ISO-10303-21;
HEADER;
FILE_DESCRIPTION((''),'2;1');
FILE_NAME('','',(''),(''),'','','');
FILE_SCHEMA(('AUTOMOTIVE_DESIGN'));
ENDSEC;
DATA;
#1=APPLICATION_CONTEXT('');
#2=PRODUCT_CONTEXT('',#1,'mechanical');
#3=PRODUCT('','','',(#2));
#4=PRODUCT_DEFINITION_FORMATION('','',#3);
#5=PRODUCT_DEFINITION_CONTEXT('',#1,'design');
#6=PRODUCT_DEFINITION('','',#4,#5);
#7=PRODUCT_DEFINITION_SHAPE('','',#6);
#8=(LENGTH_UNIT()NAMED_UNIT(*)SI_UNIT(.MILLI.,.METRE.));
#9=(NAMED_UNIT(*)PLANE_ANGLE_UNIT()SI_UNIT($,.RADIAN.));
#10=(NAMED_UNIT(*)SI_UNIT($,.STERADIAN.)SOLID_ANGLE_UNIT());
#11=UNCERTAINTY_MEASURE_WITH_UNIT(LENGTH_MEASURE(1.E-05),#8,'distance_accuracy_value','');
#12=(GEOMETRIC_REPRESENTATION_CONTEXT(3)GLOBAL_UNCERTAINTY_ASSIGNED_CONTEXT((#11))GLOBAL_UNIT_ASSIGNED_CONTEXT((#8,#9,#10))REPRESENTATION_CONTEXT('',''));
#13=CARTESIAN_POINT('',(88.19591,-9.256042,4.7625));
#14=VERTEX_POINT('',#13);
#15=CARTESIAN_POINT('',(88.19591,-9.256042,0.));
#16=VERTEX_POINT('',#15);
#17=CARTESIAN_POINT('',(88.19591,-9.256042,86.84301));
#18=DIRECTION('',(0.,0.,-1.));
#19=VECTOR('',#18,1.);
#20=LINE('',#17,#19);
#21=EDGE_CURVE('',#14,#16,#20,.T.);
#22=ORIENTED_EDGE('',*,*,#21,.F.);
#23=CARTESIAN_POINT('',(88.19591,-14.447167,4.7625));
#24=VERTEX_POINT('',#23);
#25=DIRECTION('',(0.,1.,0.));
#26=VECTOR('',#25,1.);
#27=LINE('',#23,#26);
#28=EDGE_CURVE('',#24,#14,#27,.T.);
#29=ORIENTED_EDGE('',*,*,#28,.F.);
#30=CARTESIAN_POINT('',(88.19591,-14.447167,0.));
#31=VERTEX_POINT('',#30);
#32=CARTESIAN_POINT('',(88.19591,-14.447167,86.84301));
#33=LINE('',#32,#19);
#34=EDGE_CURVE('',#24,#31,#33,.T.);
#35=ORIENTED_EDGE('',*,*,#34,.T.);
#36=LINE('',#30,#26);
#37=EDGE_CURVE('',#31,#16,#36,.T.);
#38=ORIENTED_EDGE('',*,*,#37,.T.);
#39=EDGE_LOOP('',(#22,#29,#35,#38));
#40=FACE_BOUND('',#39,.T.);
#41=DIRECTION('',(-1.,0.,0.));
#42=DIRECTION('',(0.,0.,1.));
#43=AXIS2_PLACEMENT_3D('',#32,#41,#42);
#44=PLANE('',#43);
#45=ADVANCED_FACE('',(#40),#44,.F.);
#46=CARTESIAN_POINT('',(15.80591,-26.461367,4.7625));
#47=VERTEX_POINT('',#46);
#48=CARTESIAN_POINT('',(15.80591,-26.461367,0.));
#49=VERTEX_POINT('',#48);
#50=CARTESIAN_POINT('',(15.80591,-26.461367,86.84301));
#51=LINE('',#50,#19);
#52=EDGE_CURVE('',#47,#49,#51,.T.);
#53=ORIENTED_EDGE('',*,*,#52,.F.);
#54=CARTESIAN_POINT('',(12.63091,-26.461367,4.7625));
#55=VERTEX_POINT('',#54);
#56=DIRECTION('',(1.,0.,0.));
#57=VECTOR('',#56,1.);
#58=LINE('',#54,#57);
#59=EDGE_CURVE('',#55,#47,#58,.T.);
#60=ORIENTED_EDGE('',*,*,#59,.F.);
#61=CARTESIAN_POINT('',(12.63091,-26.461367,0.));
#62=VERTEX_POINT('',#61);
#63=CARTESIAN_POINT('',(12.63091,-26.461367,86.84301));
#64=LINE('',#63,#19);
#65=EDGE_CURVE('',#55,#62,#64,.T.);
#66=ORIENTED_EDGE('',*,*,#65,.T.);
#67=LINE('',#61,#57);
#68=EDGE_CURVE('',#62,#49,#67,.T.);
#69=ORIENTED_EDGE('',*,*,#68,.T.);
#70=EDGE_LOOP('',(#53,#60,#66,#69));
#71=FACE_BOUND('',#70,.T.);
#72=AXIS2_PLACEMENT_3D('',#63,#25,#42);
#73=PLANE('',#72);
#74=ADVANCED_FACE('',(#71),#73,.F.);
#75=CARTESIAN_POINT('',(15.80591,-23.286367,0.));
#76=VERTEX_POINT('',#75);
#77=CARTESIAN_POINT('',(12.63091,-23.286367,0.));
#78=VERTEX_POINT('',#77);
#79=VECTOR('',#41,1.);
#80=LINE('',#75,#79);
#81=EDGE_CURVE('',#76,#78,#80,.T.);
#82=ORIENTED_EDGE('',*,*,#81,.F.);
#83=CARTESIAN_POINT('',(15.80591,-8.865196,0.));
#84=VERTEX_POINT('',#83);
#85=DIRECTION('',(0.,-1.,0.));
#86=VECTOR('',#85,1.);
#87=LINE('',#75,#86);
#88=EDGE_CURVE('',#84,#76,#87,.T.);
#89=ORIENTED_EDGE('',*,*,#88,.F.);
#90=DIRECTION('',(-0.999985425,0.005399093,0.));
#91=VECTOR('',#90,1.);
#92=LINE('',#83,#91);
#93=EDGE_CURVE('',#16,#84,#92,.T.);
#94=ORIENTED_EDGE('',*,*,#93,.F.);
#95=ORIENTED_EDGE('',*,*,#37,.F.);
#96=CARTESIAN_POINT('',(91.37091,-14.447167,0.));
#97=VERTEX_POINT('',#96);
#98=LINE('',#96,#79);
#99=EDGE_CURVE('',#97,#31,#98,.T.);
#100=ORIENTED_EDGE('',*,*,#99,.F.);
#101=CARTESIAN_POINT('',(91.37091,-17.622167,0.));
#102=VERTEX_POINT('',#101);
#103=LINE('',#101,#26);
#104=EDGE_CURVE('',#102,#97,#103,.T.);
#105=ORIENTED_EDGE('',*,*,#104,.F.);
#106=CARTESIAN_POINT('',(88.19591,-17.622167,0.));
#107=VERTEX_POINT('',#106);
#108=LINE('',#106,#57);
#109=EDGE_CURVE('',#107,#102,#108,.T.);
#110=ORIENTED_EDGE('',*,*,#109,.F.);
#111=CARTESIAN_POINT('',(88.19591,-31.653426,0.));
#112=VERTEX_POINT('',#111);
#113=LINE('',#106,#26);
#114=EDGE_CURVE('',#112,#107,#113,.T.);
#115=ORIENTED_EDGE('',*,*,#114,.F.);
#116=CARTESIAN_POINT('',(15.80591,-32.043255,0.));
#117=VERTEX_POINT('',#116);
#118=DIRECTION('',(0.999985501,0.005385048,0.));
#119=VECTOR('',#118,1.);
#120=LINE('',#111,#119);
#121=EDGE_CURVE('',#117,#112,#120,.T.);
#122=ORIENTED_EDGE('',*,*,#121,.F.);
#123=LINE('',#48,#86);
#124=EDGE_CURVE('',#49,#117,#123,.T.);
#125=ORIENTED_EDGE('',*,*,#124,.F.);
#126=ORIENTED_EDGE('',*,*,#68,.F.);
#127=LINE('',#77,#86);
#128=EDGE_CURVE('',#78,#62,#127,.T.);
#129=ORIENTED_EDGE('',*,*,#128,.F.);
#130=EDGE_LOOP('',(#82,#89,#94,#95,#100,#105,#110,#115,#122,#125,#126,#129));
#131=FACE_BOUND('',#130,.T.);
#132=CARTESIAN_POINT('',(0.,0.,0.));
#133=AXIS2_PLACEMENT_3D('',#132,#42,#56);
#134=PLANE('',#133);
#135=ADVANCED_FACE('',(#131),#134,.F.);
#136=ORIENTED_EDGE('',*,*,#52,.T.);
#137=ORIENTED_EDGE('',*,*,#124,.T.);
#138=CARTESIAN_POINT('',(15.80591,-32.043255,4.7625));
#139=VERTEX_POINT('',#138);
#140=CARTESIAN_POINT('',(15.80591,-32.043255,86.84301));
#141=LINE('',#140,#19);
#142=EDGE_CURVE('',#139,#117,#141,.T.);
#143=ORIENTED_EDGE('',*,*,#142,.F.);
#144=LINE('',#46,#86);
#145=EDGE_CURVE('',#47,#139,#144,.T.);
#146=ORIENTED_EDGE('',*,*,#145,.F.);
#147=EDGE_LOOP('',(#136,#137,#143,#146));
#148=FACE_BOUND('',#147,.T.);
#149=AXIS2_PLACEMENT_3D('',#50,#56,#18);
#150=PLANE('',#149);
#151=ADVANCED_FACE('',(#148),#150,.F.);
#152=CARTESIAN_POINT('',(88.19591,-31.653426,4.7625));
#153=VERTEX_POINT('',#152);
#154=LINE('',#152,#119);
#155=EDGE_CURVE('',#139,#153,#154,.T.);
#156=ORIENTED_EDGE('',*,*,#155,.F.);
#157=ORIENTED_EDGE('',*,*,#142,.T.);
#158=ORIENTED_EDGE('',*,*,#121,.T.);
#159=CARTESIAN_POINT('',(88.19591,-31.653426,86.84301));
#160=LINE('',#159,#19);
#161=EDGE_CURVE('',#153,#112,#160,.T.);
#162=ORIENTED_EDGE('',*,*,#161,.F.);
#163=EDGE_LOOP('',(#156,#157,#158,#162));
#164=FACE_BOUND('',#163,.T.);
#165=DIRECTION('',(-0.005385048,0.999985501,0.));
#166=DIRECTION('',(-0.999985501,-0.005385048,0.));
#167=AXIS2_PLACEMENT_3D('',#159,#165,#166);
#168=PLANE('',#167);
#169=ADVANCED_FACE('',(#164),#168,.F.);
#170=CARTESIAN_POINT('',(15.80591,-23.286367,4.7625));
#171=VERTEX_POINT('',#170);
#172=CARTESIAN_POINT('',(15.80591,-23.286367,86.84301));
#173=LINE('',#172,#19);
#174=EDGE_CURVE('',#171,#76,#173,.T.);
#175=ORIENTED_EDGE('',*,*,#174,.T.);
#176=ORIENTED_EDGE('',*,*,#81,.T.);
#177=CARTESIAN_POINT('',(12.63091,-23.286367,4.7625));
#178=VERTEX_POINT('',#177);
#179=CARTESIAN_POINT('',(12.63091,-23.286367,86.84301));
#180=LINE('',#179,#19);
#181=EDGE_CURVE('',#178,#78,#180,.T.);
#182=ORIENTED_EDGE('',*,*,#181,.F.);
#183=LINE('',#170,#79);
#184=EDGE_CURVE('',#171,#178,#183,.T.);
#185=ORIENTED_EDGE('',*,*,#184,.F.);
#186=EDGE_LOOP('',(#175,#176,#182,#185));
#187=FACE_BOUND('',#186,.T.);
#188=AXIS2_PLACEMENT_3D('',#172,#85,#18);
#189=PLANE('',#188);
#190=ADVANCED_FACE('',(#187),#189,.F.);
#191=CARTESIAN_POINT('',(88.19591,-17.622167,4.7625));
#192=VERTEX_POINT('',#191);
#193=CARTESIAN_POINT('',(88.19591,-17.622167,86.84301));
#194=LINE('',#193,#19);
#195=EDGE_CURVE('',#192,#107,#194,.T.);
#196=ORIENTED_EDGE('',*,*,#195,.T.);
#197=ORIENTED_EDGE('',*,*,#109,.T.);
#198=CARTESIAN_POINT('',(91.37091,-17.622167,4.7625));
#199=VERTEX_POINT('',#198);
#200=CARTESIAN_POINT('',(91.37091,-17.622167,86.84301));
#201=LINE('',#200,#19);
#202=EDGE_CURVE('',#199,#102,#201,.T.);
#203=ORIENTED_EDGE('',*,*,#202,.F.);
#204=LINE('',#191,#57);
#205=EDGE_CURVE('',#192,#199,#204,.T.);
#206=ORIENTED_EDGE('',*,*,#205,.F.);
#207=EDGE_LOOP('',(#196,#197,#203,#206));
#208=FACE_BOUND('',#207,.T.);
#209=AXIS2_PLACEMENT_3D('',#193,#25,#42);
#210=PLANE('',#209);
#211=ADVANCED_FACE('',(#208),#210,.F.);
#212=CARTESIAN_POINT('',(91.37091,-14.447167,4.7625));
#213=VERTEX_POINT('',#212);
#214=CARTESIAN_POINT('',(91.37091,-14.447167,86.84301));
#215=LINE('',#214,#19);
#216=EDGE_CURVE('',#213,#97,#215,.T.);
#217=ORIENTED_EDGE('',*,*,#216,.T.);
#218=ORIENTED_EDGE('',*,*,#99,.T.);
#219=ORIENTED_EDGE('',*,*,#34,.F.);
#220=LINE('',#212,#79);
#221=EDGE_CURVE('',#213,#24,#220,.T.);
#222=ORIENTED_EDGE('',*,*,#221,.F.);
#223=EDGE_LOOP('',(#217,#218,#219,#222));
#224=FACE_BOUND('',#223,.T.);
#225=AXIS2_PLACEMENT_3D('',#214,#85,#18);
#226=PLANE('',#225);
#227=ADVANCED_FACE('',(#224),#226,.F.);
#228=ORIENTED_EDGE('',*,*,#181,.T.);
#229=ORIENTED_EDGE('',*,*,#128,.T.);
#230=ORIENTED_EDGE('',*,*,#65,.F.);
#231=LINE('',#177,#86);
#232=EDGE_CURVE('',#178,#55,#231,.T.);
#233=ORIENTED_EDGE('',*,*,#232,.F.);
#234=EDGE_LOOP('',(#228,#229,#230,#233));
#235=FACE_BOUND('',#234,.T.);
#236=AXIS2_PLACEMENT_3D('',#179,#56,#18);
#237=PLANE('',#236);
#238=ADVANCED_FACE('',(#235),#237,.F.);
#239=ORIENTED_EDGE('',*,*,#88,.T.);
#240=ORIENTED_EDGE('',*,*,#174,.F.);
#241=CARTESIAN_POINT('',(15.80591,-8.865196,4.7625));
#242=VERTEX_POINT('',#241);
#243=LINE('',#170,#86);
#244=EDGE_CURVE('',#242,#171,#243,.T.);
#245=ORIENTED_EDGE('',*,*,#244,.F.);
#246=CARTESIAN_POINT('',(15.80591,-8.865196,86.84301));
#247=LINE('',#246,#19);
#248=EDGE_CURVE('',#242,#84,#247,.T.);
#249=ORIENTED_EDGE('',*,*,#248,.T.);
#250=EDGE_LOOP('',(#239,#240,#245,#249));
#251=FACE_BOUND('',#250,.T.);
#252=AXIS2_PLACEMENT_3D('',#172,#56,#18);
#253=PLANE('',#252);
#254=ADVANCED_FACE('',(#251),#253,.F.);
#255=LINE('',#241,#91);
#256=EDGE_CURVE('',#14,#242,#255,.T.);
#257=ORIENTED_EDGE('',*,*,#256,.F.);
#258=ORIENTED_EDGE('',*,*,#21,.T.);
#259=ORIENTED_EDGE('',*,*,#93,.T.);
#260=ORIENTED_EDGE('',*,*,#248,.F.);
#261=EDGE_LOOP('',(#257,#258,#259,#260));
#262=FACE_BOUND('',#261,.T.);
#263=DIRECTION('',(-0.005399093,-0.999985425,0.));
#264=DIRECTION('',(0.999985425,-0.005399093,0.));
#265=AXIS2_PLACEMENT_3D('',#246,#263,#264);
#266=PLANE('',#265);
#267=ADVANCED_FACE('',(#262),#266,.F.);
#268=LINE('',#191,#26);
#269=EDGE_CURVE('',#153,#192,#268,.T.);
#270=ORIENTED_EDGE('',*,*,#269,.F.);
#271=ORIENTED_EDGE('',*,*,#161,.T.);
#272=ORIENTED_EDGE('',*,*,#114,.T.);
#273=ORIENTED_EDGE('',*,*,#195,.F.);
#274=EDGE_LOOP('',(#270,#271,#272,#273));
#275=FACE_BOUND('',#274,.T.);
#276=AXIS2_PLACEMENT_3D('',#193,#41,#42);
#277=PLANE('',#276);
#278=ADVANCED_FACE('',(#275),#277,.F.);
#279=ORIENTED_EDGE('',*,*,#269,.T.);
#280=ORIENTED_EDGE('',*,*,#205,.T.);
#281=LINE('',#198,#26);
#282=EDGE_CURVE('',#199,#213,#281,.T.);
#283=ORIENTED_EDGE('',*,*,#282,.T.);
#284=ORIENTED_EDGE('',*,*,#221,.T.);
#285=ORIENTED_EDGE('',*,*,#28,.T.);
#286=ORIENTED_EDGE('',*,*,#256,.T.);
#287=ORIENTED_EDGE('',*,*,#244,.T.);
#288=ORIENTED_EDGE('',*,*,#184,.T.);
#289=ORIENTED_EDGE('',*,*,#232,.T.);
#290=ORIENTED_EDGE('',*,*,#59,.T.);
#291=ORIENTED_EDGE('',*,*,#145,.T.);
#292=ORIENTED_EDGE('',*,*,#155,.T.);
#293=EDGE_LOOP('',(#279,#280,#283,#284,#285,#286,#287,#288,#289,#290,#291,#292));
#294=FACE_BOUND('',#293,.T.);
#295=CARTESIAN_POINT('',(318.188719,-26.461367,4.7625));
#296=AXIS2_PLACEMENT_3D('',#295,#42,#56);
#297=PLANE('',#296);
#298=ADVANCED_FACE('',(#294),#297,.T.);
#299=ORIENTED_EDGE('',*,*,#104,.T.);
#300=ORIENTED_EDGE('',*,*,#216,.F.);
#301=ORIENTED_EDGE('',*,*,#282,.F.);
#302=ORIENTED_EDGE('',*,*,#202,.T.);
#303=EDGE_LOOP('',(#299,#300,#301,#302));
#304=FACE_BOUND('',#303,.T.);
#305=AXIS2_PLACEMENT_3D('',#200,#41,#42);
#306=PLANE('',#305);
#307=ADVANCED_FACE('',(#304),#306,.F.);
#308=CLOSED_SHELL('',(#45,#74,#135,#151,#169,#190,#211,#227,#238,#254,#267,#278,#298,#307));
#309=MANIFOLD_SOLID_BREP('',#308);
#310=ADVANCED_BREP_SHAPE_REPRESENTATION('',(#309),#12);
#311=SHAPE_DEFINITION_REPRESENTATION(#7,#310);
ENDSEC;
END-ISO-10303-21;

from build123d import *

# Parameters (mm, degrees)
BOSS_EXTRUDE1_DEPTH = 4.7625


with BuildPart() as part:
    # Sketch1 → Boss-Extrude1 (new body)
    with BuildSketch(Plane.XY):
        Polygon((15.805910266, -23.286367498), (12.630910266, -23.286367498), (12.630910266, -26.461367498), (15.805910266, -26.461367498), (15.805910266, -32.043255404), (88.195910266, -31.653426145), (88.195910266, -17.622167498), (91.370910266, -17.622167498), (91.370910266, -14.447167498), (88.195910266, -14.447167498), (88.195910266, -9.256041655), (15.805910266, -8.865195629), align=None)
    extrude(amount=BOSS_EXTRUDE1_DEPTH)


solid = part.part
